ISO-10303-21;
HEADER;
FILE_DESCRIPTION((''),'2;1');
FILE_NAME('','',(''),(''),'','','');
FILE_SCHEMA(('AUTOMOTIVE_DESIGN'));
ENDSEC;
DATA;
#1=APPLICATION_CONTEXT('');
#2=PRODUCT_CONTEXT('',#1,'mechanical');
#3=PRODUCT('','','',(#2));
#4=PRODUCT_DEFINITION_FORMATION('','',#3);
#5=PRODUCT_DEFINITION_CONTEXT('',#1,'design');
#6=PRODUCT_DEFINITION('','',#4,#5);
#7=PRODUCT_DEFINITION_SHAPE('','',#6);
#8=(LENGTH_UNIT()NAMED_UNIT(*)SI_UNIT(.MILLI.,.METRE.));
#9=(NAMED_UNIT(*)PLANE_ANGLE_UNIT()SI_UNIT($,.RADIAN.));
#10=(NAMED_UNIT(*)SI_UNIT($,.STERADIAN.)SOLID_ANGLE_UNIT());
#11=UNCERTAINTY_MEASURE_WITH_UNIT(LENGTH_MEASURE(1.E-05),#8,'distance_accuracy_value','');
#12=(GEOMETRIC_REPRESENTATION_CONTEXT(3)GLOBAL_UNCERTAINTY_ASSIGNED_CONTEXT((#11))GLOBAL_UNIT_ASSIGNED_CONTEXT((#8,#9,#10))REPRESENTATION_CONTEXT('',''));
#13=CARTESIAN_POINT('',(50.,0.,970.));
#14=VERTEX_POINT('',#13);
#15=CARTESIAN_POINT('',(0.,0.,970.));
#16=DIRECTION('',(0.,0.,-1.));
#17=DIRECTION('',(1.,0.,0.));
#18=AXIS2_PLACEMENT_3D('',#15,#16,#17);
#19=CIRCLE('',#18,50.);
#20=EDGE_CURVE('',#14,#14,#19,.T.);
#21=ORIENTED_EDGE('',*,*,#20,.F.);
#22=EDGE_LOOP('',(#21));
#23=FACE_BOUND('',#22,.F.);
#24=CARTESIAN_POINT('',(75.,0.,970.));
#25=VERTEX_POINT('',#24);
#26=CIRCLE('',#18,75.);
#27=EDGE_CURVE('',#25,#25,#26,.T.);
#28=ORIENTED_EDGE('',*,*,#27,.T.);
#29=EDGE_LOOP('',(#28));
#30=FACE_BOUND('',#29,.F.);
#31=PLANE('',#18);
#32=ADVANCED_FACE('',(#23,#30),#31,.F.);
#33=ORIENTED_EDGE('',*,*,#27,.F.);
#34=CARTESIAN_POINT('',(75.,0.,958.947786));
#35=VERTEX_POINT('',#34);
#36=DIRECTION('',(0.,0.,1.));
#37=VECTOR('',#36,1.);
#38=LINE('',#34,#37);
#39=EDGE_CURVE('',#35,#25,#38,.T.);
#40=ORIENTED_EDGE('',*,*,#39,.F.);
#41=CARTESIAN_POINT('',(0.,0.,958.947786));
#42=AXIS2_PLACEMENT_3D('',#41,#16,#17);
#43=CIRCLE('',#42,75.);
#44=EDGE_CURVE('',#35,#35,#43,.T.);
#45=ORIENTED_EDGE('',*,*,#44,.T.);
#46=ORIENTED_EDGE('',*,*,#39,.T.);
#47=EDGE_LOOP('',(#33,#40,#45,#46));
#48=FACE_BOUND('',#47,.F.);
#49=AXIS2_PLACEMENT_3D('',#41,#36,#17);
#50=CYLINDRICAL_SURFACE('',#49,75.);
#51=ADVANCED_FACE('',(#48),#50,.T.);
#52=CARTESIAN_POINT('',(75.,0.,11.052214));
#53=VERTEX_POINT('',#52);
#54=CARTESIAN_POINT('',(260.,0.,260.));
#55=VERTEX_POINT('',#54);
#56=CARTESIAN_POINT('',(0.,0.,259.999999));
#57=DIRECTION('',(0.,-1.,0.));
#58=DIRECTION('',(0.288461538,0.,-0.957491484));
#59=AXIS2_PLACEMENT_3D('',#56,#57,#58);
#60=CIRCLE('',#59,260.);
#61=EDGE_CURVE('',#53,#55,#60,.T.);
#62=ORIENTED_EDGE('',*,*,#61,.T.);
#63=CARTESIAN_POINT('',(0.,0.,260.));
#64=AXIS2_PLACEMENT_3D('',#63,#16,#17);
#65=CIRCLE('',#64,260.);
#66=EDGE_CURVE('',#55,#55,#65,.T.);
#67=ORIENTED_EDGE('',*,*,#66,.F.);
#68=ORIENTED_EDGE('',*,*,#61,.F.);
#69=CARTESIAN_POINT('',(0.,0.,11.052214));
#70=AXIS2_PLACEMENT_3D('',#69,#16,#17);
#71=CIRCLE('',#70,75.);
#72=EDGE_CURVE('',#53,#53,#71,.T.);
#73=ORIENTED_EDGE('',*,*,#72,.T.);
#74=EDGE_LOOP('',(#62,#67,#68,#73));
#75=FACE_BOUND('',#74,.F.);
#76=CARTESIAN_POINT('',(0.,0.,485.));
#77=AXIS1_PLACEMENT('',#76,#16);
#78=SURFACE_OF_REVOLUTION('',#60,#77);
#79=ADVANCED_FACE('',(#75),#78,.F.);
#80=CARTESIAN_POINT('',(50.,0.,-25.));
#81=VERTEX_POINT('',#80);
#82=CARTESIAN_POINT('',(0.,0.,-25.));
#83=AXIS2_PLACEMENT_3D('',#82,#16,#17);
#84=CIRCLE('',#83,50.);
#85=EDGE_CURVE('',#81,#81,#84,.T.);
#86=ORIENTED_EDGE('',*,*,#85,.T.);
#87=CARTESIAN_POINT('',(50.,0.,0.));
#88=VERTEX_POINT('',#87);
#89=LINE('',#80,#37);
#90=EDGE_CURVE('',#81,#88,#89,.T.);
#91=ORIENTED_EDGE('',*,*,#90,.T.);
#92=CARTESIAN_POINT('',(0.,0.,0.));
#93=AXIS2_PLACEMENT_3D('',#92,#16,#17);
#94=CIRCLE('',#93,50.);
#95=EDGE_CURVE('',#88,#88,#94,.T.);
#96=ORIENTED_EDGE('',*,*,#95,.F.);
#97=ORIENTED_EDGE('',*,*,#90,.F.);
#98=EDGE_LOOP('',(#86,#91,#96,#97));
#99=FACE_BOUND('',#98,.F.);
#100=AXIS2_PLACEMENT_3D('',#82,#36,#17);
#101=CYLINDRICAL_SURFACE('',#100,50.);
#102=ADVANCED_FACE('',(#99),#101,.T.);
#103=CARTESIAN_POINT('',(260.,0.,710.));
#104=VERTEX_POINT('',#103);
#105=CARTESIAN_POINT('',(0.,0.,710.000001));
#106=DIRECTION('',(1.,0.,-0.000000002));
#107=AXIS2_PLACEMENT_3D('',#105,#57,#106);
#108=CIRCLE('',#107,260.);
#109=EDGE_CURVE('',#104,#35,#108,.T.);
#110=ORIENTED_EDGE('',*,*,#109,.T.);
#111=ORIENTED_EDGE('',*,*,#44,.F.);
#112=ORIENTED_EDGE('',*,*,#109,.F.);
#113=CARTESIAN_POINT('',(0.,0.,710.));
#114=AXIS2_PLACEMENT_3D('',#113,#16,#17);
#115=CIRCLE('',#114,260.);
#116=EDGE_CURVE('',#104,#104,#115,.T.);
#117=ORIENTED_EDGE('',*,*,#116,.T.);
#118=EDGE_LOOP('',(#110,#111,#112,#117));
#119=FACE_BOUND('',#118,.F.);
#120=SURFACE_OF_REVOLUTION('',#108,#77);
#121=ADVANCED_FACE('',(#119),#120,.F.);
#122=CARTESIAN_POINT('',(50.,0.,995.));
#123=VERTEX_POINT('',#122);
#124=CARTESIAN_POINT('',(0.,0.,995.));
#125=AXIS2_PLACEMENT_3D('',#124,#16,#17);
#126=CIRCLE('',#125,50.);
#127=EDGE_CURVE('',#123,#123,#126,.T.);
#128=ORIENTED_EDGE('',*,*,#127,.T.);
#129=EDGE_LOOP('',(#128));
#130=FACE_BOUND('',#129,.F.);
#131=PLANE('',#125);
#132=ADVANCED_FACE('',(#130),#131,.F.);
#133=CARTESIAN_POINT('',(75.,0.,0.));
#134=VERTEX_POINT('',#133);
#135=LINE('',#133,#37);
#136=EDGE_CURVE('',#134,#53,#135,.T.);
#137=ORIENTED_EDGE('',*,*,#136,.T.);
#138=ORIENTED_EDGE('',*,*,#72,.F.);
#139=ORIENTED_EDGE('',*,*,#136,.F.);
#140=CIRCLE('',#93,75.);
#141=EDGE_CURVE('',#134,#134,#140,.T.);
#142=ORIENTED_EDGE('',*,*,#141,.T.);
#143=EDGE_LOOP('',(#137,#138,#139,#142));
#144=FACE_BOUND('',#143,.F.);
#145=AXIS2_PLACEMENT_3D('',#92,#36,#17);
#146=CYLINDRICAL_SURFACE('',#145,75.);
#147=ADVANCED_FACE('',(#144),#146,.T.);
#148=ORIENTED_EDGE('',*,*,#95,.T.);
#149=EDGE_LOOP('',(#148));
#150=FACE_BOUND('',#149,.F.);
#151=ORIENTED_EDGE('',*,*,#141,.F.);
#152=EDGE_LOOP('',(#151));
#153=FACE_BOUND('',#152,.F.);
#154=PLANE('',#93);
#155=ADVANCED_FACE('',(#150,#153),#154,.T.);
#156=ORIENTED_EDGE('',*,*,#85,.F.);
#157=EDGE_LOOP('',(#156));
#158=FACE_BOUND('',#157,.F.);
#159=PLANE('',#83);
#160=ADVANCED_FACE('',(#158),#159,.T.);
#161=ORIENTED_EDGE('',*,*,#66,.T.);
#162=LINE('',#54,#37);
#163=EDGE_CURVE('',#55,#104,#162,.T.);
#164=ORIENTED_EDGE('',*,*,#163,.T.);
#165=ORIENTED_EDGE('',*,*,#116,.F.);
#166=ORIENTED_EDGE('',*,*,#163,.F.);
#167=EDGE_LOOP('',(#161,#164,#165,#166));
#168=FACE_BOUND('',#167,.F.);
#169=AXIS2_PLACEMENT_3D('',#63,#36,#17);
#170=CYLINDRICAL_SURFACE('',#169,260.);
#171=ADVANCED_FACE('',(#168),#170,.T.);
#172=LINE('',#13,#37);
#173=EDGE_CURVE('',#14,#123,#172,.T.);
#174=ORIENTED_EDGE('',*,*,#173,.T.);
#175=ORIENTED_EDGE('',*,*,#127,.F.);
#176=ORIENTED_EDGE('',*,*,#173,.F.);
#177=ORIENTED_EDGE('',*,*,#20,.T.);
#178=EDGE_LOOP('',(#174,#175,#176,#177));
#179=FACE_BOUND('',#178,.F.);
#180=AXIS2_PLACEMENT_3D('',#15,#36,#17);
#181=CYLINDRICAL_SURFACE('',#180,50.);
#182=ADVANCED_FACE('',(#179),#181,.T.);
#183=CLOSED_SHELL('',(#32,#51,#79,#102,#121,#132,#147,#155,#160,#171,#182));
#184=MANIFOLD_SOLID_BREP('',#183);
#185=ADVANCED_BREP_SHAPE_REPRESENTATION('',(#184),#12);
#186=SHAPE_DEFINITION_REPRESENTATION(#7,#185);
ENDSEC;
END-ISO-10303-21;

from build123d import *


with BuildPart() as f1:
    # F0 (on Front) → F1 (revolve)
    with BuildSketch(Plane.XZ):
        with BuildLine():
            Line((75, 0), (75, 11.052214))
            ThreePointArc((75, 11.052214), (208.686368, 104.919376), (260, 260))
            Line((260, 260), (260, 710))
            ThreePointArc((260, 710), (208.686368, 865.080624), (75, 958.947786))
            Line((75, 958.947786), (75, 970))
            Line((75, 970), (50, 970))
            Line((50, 970), (50, 995))
            Line((50, 995), (0, 995))
            Line((0, 995), (0, 970))
            Line((0, 970), (0, 0))
            Line((0, 0), (0, -25))
            Line((0, -25), (50, -25))
            Line((50, -25), (50, 0))
            Line((50, 0), (75, 0))
        make_face()
    revolve(axis=Axis((0, 0, 485), (0, 0, -1)))


solid = f1.part
